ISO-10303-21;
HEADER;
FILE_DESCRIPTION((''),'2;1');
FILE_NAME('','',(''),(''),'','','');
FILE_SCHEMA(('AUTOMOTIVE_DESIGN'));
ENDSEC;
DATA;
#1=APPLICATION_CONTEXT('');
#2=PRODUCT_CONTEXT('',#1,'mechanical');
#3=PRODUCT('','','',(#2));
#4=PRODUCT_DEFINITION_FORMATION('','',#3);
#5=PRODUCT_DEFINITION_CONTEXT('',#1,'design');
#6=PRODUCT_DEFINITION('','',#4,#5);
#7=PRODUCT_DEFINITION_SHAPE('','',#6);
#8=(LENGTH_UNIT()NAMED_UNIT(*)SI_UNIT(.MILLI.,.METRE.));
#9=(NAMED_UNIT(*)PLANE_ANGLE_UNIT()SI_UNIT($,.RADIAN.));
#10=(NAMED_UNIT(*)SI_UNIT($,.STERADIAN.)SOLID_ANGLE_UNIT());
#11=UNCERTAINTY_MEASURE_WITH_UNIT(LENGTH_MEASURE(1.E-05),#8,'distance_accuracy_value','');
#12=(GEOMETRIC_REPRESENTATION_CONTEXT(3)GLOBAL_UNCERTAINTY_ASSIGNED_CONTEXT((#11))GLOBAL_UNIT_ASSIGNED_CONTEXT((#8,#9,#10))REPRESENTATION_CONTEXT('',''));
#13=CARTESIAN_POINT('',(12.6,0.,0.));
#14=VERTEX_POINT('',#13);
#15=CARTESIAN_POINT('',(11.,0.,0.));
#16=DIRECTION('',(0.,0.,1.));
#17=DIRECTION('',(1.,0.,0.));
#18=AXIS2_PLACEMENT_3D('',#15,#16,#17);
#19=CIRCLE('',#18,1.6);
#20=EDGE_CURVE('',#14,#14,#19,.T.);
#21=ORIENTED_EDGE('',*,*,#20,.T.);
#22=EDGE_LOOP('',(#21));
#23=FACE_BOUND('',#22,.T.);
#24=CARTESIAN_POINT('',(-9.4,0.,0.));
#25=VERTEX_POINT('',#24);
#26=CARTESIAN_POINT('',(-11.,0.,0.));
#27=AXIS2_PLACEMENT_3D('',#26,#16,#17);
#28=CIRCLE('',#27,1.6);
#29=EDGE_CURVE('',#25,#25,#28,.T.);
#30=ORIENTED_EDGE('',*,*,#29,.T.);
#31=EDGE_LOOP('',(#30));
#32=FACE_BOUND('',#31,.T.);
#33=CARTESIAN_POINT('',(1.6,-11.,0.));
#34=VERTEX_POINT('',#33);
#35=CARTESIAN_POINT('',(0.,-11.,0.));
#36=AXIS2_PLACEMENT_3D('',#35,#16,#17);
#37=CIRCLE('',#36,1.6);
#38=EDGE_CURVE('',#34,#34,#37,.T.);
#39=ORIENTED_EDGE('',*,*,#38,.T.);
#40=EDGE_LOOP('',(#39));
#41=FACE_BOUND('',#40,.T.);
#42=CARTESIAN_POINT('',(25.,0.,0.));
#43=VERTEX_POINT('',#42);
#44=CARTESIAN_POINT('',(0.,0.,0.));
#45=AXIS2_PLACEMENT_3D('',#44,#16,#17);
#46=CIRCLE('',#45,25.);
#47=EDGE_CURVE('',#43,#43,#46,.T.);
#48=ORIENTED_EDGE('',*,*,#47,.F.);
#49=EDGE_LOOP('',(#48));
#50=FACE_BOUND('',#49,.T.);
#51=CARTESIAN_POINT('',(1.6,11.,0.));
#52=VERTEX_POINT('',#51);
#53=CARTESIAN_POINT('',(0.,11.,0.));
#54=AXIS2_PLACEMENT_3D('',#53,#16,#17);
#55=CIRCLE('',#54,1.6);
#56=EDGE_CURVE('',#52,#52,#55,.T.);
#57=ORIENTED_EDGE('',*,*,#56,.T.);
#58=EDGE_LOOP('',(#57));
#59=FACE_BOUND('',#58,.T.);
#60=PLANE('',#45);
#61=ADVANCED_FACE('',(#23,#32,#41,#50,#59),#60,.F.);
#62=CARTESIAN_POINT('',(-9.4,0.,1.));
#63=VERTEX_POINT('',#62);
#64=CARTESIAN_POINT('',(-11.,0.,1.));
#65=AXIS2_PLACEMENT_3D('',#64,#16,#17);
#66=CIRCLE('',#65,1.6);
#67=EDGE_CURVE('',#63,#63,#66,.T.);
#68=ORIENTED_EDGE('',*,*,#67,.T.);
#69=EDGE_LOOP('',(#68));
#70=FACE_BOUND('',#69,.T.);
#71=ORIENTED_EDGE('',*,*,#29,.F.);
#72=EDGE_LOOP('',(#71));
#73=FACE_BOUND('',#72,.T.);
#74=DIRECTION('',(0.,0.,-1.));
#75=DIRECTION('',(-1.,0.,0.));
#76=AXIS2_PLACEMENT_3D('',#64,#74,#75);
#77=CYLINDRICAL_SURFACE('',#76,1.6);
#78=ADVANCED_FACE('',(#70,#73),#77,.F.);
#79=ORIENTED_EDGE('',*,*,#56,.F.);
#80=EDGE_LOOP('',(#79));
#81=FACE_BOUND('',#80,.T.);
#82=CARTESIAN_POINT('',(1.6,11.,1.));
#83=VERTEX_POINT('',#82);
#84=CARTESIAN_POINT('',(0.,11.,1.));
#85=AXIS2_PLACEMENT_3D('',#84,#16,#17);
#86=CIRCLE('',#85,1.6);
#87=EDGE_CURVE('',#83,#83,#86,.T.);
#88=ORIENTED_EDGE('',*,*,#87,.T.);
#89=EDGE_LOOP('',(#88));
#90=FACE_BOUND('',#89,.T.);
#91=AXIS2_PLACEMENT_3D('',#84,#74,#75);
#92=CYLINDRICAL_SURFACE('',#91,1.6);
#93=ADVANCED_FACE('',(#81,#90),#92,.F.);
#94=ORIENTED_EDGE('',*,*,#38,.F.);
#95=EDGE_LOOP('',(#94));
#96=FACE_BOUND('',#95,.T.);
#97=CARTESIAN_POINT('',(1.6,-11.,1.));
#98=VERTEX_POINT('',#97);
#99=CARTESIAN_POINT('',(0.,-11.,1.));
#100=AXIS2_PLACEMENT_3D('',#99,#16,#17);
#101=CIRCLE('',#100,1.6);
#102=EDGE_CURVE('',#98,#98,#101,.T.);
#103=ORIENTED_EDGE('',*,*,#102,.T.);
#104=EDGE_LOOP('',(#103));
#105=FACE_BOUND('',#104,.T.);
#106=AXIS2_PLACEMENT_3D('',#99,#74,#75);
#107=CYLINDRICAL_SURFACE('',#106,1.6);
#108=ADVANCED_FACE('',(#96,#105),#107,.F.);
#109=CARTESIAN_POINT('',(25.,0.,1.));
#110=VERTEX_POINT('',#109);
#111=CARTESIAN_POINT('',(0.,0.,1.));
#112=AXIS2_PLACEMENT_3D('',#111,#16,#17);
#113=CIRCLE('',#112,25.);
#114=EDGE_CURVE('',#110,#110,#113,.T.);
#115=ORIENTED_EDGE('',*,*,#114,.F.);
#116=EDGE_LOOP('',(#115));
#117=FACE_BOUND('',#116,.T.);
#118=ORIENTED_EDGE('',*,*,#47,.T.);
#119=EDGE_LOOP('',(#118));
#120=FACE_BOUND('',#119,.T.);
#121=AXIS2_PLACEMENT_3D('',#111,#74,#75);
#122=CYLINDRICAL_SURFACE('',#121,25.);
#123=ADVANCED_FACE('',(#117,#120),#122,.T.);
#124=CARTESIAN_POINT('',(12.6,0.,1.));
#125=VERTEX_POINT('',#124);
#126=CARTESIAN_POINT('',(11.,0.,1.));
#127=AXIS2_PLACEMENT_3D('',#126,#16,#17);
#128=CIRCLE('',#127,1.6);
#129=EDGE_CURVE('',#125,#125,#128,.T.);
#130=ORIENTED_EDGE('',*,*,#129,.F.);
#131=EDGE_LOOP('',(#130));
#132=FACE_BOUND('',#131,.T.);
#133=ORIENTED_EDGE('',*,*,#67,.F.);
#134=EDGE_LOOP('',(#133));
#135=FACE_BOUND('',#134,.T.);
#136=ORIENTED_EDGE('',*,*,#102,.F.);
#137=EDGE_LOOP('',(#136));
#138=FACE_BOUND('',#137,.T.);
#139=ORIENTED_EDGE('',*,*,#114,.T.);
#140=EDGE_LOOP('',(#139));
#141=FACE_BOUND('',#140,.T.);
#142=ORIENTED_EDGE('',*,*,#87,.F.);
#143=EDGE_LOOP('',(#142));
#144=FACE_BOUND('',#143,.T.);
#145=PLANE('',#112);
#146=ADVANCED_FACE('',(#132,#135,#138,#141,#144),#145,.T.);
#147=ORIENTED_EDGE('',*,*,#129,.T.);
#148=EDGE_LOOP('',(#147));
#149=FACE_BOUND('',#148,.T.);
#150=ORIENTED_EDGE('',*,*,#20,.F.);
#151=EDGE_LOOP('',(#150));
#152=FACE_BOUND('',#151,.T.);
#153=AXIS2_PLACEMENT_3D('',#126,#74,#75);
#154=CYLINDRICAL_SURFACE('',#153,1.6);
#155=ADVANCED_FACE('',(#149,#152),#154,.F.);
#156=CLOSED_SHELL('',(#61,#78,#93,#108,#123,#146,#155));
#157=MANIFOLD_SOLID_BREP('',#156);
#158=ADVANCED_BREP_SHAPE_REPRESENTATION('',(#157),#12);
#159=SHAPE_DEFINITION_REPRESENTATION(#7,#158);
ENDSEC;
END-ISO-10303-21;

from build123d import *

# Parameters (mm, degrees)
SKETCH1_R           = 25
SKETCH1_R_2         = 1.6
BOSS_EXTRUDE1_DEPTH = 1


with BuildPart() as part:
    # Sketch1 → Boss-Extrude1 (new body)
    with BuildSketch(Plane(origin=(0, 0, 0), x_dir=(0, 1, 0), z_dir=(0, 0, 1))):
        Circle(SKETCH1_R)
        with Locations((0, 11)):
            Circle(SKETCH1_R_2, mode=Mode.SUBTRACT)
        with Locations((11, 0)):
            Circle(SKETCH1_R_2, mode=Mode.SUBTRACT)
        with Locations((0, -11)):
            Circle(SKETCH1_R_2, mode=Mode.SUBTRACT)
        with Locations((-11, 0)):
            Circle(SKETCH1_R_2, mode=Mode.SUBTRACT)
    extrude(amount=BOSS_EXTRUDE1_DEPTH)


solid = part.part
